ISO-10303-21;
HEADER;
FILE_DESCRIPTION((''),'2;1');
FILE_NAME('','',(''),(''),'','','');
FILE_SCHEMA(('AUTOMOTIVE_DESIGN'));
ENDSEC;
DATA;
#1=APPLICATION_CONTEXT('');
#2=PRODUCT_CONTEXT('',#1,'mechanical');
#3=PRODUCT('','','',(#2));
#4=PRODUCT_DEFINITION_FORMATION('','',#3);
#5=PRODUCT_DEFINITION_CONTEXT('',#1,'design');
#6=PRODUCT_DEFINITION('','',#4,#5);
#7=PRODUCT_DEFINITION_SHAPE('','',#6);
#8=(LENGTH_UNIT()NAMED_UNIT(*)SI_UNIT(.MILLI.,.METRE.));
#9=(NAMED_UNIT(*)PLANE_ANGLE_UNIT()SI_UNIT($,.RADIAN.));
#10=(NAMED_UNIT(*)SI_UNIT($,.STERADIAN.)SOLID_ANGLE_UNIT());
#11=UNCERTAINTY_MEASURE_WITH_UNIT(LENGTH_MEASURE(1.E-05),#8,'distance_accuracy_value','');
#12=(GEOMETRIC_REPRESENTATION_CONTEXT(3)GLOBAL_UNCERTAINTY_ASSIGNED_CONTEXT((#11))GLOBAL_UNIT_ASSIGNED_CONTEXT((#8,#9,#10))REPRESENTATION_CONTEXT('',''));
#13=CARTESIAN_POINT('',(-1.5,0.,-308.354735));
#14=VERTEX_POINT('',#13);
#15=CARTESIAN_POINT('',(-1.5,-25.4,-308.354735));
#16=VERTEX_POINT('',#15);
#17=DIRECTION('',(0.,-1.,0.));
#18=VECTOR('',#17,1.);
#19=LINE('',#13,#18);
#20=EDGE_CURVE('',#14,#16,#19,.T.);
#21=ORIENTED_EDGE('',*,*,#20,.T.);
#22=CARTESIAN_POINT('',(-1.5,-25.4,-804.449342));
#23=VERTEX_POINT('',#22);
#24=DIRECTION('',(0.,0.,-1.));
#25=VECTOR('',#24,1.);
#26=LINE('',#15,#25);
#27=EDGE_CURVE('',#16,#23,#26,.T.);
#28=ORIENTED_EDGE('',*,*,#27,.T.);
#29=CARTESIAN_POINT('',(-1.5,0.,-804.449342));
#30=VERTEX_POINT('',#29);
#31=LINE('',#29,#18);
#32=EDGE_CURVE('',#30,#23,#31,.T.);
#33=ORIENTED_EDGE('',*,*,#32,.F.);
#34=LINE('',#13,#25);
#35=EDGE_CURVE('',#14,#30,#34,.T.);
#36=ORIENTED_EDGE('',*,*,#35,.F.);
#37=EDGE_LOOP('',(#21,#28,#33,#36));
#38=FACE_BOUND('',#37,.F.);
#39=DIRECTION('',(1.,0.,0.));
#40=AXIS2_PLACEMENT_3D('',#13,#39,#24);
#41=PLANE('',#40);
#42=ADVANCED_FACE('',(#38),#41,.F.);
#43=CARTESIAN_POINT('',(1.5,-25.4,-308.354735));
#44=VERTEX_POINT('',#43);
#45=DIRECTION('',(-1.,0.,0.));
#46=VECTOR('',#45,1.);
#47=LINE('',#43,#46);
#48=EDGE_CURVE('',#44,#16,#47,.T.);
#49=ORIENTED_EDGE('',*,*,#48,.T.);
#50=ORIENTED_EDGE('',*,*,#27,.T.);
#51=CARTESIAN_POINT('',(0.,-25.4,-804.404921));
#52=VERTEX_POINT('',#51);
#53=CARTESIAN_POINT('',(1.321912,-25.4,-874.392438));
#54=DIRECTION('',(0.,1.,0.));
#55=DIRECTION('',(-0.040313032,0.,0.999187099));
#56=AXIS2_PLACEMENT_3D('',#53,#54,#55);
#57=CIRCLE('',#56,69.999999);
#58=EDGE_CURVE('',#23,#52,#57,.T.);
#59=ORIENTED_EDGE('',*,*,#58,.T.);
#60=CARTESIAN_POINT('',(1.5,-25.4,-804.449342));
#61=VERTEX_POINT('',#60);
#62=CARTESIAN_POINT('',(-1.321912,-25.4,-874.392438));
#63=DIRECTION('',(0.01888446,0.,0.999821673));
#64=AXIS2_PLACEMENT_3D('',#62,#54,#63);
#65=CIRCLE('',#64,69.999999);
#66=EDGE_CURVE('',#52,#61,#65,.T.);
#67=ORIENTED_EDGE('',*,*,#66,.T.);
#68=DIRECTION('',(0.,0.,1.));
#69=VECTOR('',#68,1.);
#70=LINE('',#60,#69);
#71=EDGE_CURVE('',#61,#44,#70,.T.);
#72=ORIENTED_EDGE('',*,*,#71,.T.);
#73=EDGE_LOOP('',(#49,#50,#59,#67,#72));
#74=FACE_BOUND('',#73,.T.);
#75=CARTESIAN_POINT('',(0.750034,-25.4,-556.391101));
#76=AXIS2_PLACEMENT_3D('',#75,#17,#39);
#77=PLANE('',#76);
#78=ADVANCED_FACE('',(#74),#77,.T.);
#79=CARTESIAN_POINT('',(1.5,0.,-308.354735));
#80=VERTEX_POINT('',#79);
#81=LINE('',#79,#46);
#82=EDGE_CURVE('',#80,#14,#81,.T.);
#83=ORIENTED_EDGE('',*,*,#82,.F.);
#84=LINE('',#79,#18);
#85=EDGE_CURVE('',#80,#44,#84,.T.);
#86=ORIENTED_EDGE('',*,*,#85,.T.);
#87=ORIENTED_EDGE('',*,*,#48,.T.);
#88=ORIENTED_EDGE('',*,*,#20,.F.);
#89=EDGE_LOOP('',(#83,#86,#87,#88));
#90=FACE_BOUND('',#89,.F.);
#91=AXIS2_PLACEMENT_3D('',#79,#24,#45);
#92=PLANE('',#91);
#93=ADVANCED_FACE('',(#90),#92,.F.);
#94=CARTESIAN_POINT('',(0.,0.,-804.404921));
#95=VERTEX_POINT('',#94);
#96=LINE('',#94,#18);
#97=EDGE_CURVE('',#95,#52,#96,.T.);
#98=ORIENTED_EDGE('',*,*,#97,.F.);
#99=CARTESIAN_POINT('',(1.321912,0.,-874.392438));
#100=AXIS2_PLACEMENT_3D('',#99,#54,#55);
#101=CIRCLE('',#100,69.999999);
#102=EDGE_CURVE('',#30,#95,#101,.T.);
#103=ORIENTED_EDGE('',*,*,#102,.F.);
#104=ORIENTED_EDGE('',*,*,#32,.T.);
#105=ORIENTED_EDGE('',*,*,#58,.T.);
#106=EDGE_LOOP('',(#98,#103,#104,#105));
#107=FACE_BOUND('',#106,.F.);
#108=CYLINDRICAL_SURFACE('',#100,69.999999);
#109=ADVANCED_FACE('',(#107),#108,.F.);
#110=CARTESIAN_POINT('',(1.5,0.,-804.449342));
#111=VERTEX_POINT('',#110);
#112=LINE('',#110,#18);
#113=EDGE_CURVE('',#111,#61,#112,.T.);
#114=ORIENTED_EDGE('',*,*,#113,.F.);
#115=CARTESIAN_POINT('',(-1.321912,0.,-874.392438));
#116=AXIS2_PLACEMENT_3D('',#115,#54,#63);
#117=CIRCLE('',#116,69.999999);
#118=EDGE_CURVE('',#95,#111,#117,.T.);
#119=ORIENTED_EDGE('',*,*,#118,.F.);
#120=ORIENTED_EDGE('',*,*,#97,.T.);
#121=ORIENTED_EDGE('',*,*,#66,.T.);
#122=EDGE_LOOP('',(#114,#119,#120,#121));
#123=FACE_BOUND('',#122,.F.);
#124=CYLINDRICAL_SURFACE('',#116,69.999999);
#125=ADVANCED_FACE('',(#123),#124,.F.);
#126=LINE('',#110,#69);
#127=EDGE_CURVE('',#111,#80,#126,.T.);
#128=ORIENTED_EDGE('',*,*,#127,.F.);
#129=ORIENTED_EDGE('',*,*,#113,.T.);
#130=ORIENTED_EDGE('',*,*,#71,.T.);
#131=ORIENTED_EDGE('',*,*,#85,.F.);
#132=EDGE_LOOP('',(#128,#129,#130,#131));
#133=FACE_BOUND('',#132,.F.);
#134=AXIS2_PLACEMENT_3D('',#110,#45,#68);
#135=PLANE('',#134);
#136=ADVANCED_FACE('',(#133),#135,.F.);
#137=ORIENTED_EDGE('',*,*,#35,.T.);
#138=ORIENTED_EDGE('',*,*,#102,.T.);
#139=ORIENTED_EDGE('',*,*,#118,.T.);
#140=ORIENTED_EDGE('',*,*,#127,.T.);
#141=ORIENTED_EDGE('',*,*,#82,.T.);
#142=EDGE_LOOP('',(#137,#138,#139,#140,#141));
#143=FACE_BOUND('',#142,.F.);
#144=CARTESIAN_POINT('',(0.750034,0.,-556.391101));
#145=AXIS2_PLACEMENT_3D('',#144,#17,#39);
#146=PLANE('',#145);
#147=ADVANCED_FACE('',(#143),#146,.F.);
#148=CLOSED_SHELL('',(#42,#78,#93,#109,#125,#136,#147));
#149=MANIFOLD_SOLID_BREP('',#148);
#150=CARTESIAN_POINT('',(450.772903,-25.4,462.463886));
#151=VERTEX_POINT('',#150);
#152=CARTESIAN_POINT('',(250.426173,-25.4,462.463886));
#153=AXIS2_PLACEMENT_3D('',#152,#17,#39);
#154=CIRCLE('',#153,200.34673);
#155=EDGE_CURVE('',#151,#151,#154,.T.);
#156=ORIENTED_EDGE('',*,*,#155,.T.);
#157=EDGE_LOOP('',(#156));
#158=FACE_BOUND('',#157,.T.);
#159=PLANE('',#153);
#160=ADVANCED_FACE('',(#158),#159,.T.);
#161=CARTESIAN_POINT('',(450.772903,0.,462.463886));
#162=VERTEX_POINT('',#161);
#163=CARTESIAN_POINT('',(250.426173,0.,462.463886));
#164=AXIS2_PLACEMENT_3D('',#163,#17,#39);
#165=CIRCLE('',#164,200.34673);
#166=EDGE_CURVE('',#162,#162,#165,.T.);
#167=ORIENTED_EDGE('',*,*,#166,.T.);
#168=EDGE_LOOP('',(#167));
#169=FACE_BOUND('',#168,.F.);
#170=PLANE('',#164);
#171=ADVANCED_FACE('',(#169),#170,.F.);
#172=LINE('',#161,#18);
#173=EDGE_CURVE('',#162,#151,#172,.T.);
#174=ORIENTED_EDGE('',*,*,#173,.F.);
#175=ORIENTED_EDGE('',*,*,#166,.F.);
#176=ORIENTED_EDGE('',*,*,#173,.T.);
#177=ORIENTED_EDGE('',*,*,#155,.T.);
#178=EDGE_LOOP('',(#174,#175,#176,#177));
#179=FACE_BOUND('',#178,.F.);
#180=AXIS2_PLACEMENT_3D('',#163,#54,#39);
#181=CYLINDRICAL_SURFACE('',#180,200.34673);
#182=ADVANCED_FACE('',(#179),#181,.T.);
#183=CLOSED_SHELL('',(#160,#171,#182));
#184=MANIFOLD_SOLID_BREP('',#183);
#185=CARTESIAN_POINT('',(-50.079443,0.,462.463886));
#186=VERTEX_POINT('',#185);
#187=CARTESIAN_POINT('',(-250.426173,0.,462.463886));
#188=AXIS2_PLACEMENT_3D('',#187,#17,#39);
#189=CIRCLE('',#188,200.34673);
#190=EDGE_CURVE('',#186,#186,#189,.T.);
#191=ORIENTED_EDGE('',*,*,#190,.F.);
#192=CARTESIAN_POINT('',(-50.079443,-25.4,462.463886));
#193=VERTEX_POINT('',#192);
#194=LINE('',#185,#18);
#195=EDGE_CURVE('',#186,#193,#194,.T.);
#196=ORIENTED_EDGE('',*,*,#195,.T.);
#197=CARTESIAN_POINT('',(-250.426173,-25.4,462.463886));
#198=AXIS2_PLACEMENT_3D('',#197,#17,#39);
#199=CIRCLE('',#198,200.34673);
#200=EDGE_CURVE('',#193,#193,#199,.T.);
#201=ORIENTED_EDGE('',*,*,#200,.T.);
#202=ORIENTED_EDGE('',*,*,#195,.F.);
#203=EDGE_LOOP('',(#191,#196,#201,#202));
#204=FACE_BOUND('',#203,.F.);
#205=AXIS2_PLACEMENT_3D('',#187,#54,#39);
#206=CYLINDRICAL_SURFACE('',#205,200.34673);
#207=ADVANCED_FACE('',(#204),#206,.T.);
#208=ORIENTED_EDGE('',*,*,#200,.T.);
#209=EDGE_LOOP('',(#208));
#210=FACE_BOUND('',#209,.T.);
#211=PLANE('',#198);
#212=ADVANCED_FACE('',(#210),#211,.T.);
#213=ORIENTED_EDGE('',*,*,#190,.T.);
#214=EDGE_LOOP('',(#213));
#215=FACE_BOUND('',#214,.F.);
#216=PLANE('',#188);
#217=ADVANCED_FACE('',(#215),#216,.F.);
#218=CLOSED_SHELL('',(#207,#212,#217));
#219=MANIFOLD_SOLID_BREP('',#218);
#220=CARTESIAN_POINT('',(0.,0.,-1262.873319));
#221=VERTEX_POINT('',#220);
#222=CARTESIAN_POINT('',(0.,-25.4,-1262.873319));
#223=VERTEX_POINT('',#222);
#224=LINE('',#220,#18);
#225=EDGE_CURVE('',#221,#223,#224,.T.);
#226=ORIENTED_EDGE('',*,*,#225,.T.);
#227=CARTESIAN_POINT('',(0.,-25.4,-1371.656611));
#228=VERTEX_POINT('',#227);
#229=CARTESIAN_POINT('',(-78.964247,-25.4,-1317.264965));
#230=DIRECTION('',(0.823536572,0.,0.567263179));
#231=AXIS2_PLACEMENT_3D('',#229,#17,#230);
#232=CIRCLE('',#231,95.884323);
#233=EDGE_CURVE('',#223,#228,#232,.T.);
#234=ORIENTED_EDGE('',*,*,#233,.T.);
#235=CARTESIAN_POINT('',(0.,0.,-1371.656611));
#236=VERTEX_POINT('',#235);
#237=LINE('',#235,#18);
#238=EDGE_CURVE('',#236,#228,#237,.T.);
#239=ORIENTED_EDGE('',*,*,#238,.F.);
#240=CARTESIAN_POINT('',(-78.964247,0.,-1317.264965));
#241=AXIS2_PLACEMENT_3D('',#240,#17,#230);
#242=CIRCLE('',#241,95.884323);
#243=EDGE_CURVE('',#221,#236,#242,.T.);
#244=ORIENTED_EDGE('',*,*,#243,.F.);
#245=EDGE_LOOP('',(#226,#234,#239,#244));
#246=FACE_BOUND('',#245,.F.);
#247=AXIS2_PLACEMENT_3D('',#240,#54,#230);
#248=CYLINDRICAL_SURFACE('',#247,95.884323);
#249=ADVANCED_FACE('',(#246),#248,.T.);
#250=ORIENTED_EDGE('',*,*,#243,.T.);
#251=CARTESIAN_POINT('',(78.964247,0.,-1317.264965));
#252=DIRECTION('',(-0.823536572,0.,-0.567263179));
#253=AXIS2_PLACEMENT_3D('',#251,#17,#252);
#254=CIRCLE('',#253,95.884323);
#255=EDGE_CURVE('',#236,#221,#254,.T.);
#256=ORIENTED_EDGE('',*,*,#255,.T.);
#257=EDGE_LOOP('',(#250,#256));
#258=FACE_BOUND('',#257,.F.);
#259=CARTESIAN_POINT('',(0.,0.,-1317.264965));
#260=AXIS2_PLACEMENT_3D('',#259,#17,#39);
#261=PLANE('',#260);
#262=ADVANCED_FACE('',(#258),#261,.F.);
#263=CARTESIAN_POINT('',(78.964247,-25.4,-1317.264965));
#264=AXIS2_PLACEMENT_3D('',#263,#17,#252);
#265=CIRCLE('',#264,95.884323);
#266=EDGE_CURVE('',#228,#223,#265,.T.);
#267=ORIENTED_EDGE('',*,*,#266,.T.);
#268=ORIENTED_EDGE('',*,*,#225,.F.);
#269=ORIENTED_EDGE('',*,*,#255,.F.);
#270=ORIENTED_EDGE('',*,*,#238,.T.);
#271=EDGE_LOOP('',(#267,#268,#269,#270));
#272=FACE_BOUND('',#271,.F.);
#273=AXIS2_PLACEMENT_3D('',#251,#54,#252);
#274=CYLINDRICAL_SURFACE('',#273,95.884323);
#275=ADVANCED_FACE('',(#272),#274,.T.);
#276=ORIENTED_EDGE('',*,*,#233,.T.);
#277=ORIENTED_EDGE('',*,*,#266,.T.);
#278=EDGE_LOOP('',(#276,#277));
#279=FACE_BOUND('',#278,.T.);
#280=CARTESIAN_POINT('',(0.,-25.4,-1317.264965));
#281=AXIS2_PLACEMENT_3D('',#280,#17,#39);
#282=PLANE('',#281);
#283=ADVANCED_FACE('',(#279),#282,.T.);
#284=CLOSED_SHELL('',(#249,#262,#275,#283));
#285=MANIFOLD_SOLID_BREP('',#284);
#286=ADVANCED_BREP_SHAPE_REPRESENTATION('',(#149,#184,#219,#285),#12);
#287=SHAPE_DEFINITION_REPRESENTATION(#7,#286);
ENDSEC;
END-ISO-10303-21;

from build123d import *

# Parameters (mm, degrees)
F1_DEPTH = 25.4
F0_R     = 200.3467300335


with BuildPart() as f1:
    # F0 (on Front) → F1 (new body)
    with BuildSketch(Plane.XZ):
        with BuildLine():
            Line((1.5, -804.4493416321), (1.5, -308.3547353745))
            Line((1.5, -308.3547353745), (0, -308.3547353745))
            Line((0, -308.3547353745), (0, -804.4049214977))
            ThreePointArc((0, -804.4049214977), (0.7501190381, -804.4231118309), (1.5, -804.4493416321))
        make_face()
        with BuildLine():
            Line((0, -804.4049214977), (0, -308.3547353745))
            Line((0, -308.3547353745), (-1.5, -308.3547353745))
            Line((-1.5, -308.3547353745), (-1.5, -804.4493416321))
            ThreePointArc((-1.5, -804.4493416321), (-0.7501190381, -804.4231118309), (0, -804.4049214977))
        make_face()
    extrude(amount=F1_DEPTH)


with BuildPart() as f1b:
    # F0 (on Front) → F1, piece 2 (new body)
    with BuildSketch(Plane.XZ):
        with Locations((250.4261732101, 462.4638855457)):
            Circle(F0_R)
    extrude(amount=F1_DEPTH)


with BuildPart() as f1c:
    # F0 (on Front) → F1, piece 3 (new body)
    with BuildSketch(Plane.XZ):
        with BuildLine():
            ThreePointArc((0, -1371.6566112253), (12.592393534, -1345.7462755154), (16.9200763319, -1317.2649652732))
            ThreePointArc((16.9200763319, -1317.2649652732), (12.592393534, -1288.783655031), (0, -1262.8733193211))
            ThreePointArc((0, -1262.8733193211), (-16.9200763319, -1317.2649652732), (0, -1371.6566112253))
        make_face()
        with BuildLine():
            ThreePointArc((0, -1262.8733193211), (12.592393534, -1288.783655031), (16.9200763319, -1317.2649652732))
            ThreePointArc((16.9200763319, -1317.2649652732), (12.592393534, -1345.7462755154), (0, -1371.6566112253))
            ThreePointArc((0, -1371.6566112253), (107.4455570304, -1408.8216055954), (174.8485699083, -1317.2649652732))
            ThreePointArc((174.8485699083, -1317.2649652732), (107.4455570304, -1225.708324951), (0, -1262.8733193211))
        make_face()
        with BuildLine():
            ThreePointArc((0, -1371.6566112253), (-16.9200763319, -1317.2649652732), (0, -1262.8733193211))
            ThreePointArc((0, -1262.8733193211), (-174.8485699083, -1317.2649652732), (0, -1371.6566112253))
        make_face()
    extrude(amount=F1_DEPTH)


with BuildPart() as f1d:
    # F0 (on Front) → F1, piece 4 (new body)
    with BuildSketch(Plane.XZ):
        with Locations((-250.4261732101, 462.4638855457)):
            Circle(F0_R)
    extrude(amount=F1_DEPTH)


solid = Compound([f1.part, f1b.part, f1c.part, f1d.part])
